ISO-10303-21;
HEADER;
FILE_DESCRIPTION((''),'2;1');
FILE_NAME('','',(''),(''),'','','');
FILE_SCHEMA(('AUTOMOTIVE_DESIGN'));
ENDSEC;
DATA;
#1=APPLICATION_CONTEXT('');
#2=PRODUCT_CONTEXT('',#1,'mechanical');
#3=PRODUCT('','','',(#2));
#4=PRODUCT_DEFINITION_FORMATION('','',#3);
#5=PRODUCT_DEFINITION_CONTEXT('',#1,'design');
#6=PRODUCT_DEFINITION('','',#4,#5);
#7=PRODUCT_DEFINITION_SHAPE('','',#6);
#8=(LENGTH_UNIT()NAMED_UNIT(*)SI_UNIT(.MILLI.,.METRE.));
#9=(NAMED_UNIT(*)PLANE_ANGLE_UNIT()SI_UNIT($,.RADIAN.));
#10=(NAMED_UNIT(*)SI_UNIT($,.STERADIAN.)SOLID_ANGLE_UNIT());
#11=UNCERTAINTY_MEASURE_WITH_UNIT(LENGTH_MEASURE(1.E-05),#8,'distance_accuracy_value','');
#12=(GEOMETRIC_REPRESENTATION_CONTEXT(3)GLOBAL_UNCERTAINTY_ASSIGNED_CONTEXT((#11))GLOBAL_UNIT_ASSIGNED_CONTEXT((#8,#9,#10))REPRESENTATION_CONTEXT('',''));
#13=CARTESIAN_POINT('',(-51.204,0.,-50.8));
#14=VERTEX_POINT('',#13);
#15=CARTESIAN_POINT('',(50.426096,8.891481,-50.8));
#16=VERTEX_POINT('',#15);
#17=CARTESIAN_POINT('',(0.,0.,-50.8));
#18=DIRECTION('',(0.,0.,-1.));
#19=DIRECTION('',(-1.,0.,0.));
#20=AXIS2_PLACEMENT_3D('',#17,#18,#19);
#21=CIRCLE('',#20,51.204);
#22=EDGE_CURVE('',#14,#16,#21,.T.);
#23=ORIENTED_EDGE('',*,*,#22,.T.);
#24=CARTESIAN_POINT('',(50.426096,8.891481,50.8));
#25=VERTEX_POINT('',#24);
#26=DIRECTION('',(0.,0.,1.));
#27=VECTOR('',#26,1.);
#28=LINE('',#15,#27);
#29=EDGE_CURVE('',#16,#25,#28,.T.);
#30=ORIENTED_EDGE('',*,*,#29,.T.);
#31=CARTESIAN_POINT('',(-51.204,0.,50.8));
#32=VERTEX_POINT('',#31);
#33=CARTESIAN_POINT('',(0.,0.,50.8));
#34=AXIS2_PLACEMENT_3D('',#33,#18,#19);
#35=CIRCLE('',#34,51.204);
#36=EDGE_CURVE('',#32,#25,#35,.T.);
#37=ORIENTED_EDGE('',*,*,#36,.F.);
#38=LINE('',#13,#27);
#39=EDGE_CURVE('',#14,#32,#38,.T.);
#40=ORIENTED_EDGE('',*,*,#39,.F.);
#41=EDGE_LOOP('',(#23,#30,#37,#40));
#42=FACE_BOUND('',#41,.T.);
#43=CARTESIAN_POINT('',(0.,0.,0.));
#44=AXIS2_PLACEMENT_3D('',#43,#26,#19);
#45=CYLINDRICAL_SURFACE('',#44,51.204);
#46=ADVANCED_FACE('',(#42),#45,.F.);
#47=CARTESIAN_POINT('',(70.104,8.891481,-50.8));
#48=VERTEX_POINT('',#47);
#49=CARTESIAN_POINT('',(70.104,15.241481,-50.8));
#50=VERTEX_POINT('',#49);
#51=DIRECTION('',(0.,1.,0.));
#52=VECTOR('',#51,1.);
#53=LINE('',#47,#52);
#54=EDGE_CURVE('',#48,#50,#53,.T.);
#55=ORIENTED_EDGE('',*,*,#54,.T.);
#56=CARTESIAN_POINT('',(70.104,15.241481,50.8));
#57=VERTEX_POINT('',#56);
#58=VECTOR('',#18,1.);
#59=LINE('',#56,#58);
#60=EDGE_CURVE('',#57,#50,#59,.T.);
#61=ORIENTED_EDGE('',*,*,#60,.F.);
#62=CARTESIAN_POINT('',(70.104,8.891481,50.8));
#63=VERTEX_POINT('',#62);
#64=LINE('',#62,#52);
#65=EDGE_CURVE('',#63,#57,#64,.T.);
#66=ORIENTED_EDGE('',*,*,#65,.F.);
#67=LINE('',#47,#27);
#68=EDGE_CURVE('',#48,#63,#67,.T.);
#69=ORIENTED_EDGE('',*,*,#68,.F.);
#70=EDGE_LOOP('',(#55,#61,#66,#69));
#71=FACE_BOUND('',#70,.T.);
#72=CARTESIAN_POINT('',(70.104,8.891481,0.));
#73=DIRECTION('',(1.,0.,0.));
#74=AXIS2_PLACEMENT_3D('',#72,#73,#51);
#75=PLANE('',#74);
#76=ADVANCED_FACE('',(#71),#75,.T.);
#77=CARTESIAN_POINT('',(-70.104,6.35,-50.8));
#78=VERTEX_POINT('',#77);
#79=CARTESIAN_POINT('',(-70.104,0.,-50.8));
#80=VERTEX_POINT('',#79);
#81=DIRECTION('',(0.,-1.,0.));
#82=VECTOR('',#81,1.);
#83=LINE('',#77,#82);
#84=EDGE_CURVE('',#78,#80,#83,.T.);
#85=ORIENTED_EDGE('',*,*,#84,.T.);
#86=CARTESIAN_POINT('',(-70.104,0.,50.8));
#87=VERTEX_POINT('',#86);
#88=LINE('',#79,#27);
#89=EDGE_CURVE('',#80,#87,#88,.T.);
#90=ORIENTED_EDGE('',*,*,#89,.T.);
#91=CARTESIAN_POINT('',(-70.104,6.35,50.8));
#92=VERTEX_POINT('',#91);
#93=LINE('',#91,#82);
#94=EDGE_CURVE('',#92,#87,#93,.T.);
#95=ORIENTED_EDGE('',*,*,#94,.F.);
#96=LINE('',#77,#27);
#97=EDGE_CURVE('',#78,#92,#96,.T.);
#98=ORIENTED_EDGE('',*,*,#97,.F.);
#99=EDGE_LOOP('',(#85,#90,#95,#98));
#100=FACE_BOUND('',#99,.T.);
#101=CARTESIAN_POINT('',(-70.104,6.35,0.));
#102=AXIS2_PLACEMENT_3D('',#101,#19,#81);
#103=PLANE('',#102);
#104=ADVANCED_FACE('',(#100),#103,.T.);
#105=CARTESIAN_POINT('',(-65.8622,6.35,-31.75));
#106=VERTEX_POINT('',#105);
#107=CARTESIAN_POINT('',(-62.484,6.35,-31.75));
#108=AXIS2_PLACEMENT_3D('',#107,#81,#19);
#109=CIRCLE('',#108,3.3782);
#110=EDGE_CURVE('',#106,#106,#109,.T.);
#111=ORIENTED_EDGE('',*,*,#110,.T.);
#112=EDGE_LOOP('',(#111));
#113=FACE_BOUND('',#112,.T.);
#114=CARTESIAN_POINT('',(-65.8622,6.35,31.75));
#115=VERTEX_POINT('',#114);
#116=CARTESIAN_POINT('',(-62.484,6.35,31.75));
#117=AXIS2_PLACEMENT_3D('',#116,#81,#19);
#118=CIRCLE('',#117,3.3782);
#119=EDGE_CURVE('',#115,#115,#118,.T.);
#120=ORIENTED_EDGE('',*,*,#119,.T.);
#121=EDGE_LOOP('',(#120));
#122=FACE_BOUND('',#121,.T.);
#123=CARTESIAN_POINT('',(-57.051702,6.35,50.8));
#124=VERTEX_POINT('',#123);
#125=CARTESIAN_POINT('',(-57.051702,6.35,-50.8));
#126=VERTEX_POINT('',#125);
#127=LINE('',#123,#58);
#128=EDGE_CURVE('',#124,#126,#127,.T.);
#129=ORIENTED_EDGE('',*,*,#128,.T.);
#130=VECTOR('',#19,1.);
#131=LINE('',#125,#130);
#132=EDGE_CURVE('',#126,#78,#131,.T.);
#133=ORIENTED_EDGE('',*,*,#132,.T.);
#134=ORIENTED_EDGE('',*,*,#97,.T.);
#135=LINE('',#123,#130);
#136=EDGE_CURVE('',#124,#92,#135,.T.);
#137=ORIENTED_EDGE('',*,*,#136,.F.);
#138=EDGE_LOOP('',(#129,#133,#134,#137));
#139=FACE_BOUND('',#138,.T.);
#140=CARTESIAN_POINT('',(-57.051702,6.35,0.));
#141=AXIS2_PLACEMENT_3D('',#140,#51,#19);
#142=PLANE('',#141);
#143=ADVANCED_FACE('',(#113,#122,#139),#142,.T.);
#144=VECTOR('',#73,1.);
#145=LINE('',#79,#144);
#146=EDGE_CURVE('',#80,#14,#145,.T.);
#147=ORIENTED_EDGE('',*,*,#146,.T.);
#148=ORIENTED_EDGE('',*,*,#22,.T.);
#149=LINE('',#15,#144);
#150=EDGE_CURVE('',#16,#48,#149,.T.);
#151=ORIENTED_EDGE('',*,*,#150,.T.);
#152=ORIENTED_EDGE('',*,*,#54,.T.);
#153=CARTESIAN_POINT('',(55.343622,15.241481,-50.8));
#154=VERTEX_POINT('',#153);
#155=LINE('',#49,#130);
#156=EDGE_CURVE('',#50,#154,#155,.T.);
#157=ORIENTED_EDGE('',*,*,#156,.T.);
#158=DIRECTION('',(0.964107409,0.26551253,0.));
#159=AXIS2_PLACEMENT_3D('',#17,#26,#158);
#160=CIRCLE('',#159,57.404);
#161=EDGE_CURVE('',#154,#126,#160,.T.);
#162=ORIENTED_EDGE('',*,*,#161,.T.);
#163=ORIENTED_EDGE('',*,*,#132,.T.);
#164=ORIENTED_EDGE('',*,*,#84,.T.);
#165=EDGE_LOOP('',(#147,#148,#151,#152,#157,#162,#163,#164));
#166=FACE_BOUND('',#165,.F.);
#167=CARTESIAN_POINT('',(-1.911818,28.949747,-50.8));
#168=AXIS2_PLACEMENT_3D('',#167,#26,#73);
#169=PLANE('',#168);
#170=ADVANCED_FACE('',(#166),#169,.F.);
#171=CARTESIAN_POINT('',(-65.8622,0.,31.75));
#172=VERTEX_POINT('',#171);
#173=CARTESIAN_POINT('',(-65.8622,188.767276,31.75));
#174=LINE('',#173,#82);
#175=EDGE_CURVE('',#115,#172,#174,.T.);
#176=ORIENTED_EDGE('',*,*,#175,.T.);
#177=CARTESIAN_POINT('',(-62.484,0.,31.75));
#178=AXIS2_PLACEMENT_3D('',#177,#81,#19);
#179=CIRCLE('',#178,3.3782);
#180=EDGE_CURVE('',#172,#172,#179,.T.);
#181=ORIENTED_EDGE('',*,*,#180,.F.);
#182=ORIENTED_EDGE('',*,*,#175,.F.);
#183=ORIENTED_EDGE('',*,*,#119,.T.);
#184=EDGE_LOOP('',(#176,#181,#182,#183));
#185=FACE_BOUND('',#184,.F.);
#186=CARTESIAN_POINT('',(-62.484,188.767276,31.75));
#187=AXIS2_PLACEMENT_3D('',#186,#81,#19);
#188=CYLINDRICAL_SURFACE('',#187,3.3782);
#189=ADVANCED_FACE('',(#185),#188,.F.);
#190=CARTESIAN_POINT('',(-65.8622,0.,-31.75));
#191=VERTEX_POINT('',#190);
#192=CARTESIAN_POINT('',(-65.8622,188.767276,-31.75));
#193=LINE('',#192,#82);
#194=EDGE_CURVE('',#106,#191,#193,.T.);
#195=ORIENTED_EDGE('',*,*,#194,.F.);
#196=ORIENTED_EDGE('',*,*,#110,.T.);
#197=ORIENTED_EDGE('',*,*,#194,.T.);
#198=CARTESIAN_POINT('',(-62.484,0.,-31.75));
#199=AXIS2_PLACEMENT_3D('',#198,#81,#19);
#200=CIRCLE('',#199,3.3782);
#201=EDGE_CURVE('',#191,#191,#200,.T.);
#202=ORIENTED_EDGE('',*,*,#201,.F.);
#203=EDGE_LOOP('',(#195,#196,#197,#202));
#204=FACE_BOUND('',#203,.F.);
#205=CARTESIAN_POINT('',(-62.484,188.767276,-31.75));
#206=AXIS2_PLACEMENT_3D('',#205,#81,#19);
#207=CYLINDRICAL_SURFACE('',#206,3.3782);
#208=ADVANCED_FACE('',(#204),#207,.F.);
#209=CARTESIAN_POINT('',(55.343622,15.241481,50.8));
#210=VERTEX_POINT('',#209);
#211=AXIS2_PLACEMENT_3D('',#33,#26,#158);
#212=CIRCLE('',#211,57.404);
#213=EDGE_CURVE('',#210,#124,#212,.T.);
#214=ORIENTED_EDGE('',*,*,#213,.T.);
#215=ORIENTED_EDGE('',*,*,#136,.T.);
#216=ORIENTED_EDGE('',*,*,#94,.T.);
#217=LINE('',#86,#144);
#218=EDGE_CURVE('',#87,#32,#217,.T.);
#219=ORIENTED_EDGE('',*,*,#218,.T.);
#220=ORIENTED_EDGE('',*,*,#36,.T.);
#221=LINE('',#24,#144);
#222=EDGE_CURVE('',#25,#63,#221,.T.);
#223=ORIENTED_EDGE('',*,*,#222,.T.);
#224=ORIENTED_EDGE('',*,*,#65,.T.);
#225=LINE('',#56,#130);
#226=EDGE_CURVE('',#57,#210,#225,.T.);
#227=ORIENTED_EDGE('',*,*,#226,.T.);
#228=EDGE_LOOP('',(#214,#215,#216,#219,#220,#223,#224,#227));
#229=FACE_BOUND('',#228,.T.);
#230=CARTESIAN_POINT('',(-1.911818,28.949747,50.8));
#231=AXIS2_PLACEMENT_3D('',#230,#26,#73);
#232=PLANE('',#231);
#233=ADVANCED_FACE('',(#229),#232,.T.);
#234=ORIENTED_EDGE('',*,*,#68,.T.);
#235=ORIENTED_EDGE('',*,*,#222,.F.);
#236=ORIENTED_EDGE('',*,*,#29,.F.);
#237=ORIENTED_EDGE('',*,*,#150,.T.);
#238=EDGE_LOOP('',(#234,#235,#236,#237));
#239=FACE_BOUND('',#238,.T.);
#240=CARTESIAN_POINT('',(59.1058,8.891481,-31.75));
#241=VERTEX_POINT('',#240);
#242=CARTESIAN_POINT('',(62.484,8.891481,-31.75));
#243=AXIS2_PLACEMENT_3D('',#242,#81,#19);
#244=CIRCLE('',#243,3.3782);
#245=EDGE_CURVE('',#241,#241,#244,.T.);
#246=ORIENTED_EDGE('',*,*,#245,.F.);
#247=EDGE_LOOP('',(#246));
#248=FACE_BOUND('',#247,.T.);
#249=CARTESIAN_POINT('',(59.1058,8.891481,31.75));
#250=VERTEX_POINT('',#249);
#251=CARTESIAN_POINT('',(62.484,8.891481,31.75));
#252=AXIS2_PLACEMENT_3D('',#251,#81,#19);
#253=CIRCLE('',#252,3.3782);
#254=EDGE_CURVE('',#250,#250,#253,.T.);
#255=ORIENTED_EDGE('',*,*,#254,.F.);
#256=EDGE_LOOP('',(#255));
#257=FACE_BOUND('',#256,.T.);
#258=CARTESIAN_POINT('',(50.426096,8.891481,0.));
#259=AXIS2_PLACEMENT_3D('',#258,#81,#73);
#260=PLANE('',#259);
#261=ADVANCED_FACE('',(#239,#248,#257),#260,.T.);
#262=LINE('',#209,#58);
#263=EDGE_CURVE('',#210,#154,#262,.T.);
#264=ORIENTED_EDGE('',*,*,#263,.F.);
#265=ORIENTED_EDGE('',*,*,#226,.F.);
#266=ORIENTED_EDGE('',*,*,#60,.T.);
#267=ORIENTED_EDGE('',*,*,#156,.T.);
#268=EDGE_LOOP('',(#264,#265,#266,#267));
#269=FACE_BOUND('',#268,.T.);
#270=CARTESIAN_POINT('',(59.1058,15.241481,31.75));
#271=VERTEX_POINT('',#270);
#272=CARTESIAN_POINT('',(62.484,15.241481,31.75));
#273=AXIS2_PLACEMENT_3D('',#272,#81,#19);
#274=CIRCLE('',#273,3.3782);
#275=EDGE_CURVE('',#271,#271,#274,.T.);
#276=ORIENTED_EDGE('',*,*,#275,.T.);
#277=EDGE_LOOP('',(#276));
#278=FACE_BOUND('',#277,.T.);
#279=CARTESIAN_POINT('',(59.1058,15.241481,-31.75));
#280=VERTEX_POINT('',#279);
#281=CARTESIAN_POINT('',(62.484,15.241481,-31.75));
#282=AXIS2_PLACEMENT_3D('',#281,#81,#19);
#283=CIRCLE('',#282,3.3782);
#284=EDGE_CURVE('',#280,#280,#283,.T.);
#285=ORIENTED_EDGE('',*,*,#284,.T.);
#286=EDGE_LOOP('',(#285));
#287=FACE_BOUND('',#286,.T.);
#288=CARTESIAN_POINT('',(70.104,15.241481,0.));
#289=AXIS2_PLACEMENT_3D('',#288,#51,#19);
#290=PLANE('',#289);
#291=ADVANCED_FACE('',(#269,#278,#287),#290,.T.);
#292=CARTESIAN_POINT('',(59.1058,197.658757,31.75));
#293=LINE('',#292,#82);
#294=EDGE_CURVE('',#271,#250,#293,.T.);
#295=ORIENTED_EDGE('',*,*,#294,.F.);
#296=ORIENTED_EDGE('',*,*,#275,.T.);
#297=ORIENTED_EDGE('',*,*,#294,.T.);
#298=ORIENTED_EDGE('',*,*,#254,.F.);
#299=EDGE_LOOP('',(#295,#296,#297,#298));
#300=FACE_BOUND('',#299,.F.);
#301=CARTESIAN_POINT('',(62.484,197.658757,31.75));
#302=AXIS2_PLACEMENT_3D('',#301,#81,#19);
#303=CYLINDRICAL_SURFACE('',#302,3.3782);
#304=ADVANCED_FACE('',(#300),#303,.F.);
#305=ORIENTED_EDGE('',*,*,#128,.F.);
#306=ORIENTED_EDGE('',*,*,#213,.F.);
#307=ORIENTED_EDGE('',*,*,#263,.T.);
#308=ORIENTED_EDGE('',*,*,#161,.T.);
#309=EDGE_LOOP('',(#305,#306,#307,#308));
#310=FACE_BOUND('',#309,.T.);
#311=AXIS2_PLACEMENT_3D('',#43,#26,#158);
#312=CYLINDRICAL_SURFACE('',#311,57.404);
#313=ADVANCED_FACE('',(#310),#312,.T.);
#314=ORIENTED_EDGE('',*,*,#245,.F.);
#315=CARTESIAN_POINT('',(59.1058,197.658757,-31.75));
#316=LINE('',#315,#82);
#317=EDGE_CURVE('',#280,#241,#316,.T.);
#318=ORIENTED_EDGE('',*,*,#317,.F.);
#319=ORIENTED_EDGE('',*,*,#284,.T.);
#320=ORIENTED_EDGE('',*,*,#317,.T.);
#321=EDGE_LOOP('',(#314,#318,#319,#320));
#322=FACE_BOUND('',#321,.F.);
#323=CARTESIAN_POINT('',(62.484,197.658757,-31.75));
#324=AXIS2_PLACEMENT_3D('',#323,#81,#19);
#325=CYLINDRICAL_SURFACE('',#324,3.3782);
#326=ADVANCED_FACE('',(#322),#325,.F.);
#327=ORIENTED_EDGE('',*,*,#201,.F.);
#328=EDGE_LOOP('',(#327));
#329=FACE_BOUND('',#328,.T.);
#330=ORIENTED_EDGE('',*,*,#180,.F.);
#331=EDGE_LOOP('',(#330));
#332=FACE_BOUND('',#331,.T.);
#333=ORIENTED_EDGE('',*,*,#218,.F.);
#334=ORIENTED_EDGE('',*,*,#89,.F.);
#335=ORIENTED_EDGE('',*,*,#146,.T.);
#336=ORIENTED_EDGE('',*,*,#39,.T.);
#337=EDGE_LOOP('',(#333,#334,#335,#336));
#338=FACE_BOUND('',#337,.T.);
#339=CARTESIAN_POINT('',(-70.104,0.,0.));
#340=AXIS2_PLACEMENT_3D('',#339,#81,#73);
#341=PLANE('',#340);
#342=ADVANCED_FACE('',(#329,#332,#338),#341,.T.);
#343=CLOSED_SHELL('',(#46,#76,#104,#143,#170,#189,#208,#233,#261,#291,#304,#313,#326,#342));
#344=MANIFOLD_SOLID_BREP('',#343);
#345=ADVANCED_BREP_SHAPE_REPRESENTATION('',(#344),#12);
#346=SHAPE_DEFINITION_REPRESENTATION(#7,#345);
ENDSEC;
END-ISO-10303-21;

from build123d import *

# Parameters (mm, degrees)
BOSS_EXTRUDE1_DEPTH     = 50.8
F_1_4_CLEARANCE_HOLE1_D = 6.7564
F_1_4_CLEARANCE_HOLE2_D = 6.7564


with BuildPart() as part:
    # Sketch1 → Boss-Extrude1 (new body, symmetric)
    with BuildSketch(Plane.XY):
        with BuildLine():
            Line((-57.051702131, 6.35), (-70.104, 6.35))
            Line((-70.104, 6.35), (-70.104, 0))
            Line((-70.104, 0), (-51.203999954, 0))
            ThreePointArc((-51.203999954, 0), (-4.462722648, 51.009153275), (50.42609614, 8.891481281))
            Line((50.42609614, 8.891481281), (70.104, 8.891481281))
            Line((70.104, 8.891481281), (70.104, 15.241481281))
            Line((70.104, 15.241481281), (55.343621713, 15.241481281))
            ThreePointArc((55.343621713, 15.241481281), (-4.527029326, 57.22521491), (-57.051702131, 6.35))
        make_face()
    extrude(amount=BOSS_EXTRUDE1_DEPTH, both=True)

    # 1/4 Clearance Hole1 (through all)
    with Locations(Plane(origin=(0, 6.35, 0), x_dir=(1, 0, 0), z_dir=(0, 1, 0))):
        with Locations((-62.484, -31.75), (-62.484, 31.75)):
            Hole(F_1_4_CLEARANCE_HOLE1_D / 2)

    # 1/4 Clearance Hole2 (through all)
    with Locations(Plane(origin=(0, 15.241481281, 0), x_dir=(1, 0, 0), z_dir=(0, 1, 0))):
        with Locations((62.484, -31.75), (62.484, 31.75)):
            Hole(F_1_4_CLEARANCE_HOLE2_D / 2)


solid = part.part
